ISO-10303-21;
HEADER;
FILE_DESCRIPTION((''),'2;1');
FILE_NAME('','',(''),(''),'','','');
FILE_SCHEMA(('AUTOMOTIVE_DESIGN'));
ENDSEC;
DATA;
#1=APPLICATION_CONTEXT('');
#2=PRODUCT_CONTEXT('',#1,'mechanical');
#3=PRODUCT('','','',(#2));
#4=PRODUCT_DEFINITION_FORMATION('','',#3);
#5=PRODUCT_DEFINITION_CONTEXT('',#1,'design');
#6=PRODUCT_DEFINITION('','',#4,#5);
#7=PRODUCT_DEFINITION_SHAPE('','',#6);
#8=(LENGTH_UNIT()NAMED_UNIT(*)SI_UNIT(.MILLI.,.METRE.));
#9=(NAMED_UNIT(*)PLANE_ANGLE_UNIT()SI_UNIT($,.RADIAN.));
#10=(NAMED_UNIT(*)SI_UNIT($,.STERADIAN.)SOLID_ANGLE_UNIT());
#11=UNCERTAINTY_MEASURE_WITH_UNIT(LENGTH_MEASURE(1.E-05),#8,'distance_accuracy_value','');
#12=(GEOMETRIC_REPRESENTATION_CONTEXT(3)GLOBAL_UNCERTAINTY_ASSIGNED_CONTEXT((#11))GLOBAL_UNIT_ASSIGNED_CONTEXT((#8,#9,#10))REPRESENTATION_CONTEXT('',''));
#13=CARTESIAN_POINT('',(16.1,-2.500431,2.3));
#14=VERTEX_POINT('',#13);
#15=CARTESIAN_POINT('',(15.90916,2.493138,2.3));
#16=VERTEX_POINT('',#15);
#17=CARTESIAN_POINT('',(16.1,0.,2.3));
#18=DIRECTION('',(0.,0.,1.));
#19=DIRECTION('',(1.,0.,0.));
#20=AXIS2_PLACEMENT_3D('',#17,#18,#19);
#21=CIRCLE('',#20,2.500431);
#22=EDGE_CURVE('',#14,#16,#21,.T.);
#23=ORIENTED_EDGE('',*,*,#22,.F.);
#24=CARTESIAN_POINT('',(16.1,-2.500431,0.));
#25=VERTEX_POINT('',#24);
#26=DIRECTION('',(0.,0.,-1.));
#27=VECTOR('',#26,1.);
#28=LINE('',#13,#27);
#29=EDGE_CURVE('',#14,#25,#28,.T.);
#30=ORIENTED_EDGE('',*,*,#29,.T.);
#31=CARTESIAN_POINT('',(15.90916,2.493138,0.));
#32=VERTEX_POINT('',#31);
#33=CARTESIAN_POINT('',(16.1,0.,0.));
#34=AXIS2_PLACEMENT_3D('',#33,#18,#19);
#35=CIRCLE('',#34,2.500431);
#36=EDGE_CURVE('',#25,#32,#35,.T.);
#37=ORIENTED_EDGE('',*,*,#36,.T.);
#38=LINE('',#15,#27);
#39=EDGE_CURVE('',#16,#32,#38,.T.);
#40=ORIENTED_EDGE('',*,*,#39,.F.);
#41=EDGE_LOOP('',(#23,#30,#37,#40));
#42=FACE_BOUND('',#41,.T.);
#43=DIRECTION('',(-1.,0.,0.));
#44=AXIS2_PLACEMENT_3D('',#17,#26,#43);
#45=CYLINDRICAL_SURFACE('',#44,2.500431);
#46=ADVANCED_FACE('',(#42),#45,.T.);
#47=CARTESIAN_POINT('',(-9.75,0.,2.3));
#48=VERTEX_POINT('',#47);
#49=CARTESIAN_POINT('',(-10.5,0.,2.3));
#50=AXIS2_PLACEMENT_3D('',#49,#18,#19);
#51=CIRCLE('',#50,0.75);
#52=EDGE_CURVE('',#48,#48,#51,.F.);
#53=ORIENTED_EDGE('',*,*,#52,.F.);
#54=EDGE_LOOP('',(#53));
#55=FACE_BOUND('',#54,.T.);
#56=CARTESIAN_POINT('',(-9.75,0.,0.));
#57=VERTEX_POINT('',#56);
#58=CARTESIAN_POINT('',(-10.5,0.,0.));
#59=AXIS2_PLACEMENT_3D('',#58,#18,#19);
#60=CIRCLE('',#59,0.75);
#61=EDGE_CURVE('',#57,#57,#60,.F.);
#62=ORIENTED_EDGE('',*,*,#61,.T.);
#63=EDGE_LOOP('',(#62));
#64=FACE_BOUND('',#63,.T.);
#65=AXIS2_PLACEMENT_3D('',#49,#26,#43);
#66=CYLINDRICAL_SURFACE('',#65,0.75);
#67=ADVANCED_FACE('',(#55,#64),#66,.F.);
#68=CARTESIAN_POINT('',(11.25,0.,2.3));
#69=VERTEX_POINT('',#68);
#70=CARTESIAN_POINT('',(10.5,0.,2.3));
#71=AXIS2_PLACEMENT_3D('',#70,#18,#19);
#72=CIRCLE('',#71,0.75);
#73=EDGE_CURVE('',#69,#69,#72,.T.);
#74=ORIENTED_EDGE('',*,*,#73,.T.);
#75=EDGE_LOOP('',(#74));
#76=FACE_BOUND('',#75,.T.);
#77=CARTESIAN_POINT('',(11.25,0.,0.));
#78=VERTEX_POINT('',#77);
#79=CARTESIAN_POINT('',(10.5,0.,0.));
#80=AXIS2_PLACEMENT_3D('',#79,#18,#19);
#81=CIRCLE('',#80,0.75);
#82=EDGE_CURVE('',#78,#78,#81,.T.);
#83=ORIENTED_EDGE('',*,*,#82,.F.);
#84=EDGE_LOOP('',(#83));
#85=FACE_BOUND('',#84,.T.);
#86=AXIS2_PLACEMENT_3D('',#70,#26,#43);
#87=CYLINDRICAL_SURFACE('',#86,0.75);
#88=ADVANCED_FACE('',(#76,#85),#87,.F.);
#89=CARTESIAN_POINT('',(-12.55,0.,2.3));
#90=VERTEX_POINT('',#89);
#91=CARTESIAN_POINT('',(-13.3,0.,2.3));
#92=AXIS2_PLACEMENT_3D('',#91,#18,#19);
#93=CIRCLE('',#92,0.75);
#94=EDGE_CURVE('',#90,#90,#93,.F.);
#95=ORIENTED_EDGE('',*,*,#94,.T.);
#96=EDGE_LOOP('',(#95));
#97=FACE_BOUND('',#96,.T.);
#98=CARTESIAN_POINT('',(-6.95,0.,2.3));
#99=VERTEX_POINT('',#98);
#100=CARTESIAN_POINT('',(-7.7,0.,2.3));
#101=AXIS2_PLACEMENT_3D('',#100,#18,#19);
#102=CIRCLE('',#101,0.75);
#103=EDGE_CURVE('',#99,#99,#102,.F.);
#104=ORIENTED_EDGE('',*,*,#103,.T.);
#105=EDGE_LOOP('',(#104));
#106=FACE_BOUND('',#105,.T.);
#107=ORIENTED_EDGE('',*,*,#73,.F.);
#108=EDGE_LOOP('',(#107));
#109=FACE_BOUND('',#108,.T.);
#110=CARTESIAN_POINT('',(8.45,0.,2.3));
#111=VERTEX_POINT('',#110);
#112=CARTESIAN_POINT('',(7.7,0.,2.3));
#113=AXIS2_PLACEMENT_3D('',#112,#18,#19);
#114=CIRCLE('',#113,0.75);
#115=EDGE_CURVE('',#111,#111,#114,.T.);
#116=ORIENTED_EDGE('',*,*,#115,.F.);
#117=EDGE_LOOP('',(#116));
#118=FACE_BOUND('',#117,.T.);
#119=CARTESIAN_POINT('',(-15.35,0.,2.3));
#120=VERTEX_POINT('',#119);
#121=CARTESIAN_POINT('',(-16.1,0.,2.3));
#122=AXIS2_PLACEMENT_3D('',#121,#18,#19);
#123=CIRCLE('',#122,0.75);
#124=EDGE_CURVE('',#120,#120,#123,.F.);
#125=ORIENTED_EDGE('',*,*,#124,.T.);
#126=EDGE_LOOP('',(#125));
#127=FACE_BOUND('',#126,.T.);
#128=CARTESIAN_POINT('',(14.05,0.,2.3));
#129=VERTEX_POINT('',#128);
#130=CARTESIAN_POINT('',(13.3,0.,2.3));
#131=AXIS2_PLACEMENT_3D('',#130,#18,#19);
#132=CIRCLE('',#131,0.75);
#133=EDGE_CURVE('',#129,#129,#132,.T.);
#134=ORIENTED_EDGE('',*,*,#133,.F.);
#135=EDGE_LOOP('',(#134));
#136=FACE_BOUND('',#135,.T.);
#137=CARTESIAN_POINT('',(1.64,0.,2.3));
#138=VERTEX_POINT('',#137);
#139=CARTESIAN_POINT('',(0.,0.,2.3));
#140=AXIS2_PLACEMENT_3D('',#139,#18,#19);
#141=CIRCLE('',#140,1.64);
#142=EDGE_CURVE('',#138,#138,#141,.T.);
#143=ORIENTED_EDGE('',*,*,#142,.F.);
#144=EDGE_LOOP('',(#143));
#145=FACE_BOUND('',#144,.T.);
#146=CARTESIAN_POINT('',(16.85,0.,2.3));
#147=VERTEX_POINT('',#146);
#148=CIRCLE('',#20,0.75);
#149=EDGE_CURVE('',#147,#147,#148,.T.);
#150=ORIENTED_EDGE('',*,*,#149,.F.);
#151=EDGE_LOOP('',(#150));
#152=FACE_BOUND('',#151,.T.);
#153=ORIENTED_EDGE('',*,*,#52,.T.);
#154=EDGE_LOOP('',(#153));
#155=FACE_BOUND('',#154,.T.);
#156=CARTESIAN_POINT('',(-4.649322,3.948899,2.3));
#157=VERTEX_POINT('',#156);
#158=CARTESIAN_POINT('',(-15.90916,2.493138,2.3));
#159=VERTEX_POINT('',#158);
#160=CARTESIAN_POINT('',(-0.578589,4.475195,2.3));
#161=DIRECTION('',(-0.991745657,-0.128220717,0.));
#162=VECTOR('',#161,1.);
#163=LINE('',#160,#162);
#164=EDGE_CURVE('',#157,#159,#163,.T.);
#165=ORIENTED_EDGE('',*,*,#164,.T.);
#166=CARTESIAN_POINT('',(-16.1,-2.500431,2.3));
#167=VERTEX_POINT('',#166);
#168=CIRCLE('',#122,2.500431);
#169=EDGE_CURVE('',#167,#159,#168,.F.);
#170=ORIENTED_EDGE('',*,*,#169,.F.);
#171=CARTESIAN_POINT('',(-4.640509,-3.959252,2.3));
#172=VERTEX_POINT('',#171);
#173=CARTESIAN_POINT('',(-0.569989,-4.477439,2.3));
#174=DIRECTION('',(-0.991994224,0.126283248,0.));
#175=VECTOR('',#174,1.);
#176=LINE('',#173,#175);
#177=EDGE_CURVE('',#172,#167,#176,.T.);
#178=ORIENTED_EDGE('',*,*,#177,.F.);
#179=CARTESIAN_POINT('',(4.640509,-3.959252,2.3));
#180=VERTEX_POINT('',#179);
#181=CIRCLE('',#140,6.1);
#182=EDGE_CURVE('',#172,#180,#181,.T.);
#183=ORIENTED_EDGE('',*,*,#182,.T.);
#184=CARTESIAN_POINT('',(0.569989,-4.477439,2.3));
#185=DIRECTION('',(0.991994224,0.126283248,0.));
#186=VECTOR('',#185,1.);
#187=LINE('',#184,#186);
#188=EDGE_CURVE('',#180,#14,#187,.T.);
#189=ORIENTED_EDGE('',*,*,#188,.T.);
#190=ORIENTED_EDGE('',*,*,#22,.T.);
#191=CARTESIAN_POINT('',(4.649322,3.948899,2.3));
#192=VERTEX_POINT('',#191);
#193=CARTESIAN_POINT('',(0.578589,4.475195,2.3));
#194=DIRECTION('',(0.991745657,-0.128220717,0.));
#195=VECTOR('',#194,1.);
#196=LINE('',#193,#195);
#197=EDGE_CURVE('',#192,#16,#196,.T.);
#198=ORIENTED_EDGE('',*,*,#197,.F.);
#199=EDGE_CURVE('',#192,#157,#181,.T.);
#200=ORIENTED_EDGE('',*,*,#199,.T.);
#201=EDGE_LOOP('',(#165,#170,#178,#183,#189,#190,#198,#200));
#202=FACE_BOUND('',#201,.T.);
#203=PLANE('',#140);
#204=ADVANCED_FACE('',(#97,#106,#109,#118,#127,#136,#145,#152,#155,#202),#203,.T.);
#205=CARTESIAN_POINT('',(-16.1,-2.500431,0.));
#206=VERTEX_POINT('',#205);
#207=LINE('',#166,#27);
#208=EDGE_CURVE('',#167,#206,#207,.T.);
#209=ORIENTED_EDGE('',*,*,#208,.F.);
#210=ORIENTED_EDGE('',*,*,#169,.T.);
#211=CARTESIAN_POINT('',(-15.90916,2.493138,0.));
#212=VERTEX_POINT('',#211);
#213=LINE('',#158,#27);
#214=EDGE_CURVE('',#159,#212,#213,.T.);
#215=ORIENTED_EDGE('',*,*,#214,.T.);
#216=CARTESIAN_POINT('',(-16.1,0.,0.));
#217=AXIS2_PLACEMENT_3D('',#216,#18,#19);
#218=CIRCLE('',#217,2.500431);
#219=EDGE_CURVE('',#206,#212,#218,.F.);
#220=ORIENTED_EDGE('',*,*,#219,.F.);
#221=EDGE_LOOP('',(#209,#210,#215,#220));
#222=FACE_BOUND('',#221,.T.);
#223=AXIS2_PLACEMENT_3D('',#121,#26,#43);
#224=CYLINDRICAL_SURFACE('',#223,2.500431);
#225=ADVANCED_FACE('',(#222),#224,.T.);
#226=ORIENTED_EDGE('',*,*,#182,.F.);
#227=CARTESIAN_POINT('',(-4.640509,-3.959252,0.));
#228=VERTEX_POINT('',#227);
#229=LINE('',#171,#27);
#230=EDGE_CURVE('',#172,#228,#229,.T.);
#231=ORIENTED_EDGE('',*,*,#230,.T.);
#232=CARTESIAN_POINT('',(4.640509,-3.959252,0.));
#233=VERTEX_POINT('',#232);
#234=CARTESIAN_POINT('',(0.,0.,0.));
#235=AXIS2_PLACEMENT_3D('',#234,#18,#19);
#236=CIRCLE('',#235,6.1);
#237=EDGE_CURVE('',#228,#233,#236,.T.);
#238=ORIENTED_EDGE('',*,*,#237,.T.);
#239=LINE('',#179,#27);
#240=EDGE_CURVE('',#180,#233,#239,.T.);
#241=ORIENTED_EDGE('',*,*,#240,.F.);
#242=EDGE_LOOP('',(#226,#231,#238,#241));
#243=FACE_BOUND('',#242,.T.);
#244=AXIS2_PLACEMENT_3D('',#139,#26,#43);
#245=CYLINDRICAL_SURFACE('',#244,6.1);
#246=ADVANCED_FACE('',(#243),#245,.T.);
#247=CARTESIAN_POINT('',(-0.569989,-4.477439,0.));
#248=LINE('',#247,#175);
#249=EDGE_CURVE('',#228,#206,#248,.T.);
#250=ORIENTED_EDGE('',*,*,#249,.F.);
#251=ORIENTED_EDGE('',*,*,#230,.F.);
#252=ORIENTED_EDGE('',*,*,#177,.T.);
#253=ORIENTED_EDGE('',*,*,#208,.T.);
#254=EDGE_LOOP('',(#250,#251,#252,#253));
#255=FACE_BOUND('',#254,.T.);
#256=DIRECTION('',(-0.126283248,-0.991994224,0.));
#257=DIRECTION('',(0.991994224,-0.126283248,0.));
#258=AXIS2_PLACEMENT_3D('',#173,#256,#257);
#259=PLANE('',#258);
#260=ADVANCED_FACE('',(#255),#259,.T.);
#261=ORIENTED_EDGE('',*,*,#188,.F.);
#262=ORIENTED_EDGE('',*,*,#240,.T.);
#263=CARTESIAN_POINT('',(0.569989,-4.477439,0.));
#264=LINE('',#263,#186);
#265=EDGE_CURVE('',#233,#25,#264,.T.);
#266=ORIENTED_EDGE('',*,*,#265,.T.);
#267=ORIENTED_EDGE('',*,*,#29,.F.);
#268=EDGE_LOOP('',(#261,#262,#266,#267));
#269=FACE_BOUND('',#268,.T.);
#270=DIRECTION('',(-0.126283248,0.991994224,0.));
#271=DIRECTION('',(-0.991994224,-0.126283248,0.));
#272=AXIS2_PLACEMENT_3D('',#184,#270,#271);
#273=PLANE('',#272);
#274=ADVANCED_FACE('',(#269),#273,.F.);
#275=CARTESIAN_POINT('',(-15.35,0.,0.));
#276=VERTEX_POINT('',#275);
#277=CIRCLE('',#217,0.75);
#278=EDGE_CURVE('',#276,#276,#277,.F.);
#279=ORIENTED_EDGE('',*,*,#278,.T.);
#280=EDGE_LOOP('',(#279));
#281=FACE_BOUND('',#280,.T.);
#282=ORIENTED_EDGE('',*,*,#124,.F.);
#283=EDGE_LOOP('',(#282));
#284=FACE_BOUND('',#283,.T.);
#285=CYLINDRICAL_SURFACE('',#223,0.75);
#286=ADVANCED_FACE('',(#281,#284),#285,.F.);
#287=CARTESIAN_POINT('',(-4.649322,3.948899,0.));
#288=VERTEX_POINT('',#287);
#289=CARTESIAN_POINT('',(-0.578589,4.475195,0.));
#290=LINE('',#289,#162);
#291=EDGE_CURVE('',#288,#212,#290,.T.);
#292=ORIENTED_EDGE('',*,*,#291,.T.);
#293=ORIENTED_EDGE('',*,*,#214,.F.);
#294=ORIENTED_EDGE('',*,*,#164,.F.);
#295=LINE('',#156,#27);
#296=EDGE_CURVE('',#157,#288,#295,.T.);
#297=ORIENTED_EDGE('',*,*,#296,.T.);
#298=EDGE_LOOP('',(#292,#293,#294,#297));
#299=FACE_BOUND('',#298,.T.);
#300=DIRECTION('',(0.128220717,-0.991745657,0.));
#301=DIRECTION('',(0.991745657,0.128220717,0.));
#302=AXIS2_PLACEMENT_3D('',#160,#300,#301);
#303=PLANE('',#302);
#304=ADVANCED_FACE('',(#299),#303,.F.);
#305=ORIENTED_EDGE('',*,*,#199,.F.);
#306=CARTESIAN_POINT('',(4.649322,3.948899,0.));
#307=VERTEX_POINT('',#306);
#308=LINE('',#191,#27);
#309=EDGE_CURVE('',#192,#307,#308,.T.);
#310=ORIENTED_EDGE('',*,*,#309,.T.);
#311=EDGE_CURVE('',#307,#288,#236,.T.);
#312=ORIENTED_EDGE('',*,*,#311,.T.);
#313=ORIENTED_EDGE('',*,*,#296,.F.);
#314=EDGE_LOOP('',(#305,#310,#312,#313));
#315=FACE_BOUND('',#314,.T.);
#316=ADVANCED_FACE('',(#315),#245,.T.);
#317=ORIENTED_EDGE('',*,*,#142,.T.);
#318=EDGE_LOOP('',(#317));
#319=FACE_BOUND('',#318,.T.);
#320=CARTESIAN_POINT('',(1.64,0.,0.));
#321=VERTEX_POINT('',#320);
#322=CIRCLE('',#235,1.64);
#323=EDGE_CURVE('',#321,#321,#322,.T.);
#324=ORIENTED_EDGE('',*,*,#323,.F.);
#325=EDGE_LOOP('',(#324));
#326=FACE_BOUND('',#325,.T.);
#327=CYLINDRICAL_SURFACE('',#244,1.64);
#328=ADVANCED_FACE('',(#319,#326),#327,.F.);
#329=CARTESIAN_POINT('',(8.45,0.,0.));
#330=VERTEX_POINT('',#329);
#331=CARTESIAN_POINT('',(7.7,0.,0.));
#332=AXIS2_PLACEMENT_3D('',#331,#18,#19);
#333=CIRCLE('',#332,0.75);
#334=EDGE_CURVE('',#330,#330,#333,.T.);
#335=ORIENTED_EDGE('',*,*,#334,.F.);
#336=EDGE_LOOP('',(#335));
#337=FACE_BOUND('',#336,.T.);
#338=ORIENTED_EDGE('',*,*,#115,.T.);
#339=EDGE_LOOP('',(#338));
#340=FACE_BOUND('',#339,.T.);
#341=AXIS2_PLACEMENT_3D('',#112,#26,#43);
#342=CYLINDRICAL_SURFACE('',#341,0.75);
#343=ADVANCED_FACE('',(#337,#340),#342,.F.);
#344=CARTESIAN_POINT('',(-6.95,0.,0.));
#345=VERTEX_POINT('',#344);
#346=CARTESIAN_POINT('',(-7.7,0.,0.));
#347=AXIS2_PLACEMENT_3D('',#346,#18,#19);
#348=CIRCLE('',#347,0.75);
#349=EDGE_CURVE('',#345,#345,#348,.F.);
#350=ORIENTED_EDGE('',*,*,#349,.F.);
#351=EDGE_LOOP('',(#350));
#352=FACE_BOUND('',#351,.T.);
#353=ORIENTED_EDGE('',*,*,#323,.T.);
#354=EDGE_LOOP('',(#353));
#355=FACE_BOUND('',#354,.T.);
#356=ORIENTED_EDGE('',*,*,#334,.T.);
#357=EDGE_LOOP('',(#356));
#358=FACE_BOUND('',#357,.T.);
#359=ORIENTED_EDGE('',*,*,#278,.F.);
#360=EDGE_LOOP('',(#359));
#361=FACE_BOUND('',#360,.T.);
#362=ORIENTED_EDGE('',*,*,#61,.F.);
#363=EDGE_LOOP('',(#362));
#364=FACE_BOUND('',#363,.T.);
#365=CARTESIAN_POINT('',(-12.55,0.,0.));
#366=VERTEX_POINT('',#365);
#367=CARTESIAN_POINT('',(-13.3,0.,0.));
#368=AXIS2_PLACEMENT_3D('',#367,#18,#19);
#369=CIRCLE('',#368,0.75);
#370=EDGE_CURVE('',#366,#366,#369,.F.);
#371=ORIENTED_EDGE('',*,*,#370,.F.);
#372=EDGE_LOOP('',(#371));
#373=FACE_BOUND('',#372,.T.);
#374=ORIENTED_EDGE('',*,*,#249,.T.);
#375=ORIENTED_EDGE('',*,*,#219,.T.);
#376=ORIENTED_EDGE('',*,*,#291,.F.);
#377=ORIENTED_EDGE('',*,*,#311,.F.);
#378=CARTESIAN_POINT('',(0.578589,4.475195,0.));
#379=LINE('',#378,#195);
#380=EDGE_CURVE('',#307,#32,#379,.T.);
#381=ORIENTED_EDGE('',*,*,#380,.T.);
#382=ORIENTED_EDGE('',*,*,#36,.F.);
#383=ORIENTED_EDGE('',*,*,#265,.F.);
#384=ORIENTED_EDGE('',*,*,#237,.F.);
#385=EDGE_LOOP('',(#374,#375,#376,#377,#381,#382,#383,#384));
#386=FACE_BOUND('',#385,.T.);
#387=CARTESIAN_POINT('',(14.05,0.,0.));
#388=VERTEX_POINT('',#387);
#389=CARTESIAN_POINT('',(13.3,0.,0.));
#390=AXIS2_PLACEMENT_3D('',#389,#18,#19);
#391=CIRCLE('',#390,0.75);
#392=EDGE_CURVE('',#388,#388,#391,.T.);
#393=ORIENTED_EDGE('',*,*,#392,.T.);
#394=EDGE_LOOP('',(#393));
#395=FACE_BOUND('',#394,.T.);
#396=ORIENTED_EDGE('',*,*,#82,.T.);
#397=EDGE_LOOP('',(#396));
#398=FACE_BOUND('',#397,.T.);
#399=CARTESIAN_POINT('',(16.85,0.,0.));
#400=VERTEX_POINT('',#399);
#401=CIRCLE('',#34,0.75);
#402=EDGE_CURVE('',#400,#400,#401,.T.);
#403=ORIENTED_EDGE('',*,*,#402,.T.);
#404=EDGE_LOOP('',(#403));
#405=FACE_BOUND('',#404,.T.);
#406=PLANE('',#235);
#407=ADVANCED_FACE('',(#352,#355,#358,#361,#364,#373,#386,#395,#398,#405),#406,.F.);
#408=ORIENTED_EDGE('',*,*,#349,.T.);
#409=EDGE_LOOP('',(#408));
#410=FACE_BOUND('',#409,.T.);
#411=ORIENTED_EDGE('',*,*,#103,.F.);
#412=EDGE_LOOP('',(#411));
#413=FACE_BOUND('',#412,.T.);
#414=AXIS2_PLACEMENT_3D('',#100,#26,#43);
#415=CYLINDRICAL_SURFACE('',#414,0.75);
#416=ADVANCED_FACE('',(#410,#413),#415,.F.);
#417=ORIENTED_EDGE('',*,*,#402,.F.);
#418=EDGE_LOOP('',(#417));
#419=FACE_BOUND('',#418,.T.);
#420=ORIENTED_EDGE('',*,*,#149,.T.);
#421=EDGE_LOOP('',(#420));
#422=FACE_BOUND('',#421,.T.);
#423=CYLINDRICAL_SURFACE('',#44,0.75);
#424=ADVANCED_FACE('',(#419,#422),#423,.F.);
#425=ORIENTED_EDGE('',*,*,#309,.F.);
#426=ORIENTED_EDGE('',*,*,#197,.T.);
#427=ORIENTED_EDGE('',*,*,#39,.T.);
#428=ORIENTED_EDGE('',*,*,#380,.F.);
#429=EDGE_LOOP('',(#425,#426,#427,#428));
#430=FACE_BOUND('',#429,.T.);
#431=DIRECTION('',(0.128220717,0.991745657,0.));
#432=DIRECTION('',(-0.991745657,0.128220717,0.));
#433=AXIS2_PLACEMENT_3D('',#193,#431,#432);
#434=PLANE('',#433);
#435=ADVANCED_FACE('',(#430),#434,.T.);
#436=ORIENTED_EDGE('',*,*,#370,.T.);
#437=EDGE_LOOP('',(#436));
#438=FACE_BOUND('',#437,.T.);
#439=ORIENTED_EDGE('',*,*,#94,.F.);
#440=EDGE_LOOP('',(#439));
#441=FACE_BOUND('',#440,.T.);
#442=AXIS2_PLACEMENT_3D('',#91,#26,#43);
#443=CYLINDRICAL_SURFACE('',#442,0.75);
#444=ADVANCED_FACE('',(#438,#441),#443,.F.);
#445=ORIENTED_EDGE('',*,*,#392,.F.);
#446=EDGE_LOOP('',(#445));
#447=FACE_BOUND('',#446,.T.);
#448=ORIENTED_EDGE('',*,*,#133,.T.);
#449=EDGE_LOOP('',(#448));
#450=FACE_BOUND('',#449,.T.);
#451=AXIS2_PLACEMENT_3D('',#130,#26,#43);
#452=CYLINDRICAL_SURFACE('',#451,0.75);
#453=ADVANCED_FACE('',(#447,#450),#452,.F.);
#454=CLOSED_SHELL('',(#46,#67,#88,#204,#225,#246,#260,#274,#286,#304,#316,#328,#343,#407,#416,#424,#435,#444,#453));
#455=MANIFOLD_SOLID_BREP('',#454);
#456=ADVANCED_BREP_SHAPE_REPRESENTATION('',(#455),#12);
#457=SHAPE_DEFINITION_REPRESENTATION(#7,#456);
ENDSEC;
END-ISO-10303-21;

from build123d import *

# Parameters (mm, degrees)
SKETCH1_R           = 0.75
SKETCH1_R_2         = 1.64
BOSS_EXTRUDE1_DEPTH = 2.3


with BuildPart() as part:
    # Sketch1 → Boss-Extrude1 (new body)
    with BuildSketch(Plane.XY):
        with BuildLine():
            Line((-16.1, -2.500431312), (-4.640508927, -3.959252063))
            ThreePointArc((-4.640508927, -3.959252063), (0, -6.1), (4.640508927, -3.959252063))
            Line((4.640508927, -3.959252063), (16.1, -2.500431312))
            ThreePointArc((16.1, -2.500431312), (18.598607316, 0.095489412), (15.90916049, 2.493137988))
            Line((15.90916049, 2.493137988), (4.649322288, 3.948898867))
            ThreePointArc((4.649322288, 3.948898867), (0, 6.1), (-4.649322288, 3.948898867))
            Line((-4.649322288, 3.948898867), (-15.90916049, 2.493137988))
            ThreePointArc((-15.90916049, 2.493137988), (-18.598607316, 0.095489412), (-16.1, -2.500431312))
        make_face()
        with Locations((-16.1, 0)):
            Circle(SKETCH1_R, mode=Mode.SUBTRACT)
        with BuildLine():
            ThreePointArc((-12.55, 0), (-13.3, -0.75), (-14.05, 0))
            ThreePointArc((-14.05, 0), (-13.3, 0.75), (-12.55, 0))
        make_face(mode=Mode.SUBTRACT)
        with BuildLine():
            ThreePointArc((-9.75, 0), (-10.5, -0.75), (-11.25, 0))
            ThreePointArc((-11.25, 0), (-10.5, 0.75), (-9.75, 0))
        make_face(mode=Mode.SUBTRACT)
        with BuildLine():
            ThreePointArc((-6.95, 0), (-7.7, -0.75), (-8.45, 0))
            ThreePointArc((-8.45, 0), (-7.7, 0.75), (-6.95, 0))
        make_face(mode=Mode.SUBTRACT)
        Circle(SKETCH1_R_2, mode=Mode.SUBTRACT)
        with BuildLine():
            ThreePointArc((8.45, 0), (7.7, -0.75), (6.95, 0))
            ThreePointArc((6.95, 0), (7.7, 0.75), (8.45, 0))
        make_face(mode=Mode.SUBTRACT)
        with BuildLine():
            ThreePointArc((11.25, 0), (10.5, -0.75), (9.75, 0))
            ThreePointArc((9.75, 0), (10.5, 0.75), (11.25, 0))
        make_face(mode=Mode.SUBTRACT)
        with BuildLine():
            ThreePointArc((14.05, 0), (13.3, -0.75), (12.55, 0))
            ThreePointArc((12.55, 0), (13.3, 0.75), (14.05, 0))
        make_face(mode=Mode.SUBTRACT)
        with Locations((16.1, 0)):
            Circle(SKETCH1_R, mode=Mode.SUBTRACT)
    extrude(amount=BOSS_EXTRUDE1_DEPTH)


solid = part.part
